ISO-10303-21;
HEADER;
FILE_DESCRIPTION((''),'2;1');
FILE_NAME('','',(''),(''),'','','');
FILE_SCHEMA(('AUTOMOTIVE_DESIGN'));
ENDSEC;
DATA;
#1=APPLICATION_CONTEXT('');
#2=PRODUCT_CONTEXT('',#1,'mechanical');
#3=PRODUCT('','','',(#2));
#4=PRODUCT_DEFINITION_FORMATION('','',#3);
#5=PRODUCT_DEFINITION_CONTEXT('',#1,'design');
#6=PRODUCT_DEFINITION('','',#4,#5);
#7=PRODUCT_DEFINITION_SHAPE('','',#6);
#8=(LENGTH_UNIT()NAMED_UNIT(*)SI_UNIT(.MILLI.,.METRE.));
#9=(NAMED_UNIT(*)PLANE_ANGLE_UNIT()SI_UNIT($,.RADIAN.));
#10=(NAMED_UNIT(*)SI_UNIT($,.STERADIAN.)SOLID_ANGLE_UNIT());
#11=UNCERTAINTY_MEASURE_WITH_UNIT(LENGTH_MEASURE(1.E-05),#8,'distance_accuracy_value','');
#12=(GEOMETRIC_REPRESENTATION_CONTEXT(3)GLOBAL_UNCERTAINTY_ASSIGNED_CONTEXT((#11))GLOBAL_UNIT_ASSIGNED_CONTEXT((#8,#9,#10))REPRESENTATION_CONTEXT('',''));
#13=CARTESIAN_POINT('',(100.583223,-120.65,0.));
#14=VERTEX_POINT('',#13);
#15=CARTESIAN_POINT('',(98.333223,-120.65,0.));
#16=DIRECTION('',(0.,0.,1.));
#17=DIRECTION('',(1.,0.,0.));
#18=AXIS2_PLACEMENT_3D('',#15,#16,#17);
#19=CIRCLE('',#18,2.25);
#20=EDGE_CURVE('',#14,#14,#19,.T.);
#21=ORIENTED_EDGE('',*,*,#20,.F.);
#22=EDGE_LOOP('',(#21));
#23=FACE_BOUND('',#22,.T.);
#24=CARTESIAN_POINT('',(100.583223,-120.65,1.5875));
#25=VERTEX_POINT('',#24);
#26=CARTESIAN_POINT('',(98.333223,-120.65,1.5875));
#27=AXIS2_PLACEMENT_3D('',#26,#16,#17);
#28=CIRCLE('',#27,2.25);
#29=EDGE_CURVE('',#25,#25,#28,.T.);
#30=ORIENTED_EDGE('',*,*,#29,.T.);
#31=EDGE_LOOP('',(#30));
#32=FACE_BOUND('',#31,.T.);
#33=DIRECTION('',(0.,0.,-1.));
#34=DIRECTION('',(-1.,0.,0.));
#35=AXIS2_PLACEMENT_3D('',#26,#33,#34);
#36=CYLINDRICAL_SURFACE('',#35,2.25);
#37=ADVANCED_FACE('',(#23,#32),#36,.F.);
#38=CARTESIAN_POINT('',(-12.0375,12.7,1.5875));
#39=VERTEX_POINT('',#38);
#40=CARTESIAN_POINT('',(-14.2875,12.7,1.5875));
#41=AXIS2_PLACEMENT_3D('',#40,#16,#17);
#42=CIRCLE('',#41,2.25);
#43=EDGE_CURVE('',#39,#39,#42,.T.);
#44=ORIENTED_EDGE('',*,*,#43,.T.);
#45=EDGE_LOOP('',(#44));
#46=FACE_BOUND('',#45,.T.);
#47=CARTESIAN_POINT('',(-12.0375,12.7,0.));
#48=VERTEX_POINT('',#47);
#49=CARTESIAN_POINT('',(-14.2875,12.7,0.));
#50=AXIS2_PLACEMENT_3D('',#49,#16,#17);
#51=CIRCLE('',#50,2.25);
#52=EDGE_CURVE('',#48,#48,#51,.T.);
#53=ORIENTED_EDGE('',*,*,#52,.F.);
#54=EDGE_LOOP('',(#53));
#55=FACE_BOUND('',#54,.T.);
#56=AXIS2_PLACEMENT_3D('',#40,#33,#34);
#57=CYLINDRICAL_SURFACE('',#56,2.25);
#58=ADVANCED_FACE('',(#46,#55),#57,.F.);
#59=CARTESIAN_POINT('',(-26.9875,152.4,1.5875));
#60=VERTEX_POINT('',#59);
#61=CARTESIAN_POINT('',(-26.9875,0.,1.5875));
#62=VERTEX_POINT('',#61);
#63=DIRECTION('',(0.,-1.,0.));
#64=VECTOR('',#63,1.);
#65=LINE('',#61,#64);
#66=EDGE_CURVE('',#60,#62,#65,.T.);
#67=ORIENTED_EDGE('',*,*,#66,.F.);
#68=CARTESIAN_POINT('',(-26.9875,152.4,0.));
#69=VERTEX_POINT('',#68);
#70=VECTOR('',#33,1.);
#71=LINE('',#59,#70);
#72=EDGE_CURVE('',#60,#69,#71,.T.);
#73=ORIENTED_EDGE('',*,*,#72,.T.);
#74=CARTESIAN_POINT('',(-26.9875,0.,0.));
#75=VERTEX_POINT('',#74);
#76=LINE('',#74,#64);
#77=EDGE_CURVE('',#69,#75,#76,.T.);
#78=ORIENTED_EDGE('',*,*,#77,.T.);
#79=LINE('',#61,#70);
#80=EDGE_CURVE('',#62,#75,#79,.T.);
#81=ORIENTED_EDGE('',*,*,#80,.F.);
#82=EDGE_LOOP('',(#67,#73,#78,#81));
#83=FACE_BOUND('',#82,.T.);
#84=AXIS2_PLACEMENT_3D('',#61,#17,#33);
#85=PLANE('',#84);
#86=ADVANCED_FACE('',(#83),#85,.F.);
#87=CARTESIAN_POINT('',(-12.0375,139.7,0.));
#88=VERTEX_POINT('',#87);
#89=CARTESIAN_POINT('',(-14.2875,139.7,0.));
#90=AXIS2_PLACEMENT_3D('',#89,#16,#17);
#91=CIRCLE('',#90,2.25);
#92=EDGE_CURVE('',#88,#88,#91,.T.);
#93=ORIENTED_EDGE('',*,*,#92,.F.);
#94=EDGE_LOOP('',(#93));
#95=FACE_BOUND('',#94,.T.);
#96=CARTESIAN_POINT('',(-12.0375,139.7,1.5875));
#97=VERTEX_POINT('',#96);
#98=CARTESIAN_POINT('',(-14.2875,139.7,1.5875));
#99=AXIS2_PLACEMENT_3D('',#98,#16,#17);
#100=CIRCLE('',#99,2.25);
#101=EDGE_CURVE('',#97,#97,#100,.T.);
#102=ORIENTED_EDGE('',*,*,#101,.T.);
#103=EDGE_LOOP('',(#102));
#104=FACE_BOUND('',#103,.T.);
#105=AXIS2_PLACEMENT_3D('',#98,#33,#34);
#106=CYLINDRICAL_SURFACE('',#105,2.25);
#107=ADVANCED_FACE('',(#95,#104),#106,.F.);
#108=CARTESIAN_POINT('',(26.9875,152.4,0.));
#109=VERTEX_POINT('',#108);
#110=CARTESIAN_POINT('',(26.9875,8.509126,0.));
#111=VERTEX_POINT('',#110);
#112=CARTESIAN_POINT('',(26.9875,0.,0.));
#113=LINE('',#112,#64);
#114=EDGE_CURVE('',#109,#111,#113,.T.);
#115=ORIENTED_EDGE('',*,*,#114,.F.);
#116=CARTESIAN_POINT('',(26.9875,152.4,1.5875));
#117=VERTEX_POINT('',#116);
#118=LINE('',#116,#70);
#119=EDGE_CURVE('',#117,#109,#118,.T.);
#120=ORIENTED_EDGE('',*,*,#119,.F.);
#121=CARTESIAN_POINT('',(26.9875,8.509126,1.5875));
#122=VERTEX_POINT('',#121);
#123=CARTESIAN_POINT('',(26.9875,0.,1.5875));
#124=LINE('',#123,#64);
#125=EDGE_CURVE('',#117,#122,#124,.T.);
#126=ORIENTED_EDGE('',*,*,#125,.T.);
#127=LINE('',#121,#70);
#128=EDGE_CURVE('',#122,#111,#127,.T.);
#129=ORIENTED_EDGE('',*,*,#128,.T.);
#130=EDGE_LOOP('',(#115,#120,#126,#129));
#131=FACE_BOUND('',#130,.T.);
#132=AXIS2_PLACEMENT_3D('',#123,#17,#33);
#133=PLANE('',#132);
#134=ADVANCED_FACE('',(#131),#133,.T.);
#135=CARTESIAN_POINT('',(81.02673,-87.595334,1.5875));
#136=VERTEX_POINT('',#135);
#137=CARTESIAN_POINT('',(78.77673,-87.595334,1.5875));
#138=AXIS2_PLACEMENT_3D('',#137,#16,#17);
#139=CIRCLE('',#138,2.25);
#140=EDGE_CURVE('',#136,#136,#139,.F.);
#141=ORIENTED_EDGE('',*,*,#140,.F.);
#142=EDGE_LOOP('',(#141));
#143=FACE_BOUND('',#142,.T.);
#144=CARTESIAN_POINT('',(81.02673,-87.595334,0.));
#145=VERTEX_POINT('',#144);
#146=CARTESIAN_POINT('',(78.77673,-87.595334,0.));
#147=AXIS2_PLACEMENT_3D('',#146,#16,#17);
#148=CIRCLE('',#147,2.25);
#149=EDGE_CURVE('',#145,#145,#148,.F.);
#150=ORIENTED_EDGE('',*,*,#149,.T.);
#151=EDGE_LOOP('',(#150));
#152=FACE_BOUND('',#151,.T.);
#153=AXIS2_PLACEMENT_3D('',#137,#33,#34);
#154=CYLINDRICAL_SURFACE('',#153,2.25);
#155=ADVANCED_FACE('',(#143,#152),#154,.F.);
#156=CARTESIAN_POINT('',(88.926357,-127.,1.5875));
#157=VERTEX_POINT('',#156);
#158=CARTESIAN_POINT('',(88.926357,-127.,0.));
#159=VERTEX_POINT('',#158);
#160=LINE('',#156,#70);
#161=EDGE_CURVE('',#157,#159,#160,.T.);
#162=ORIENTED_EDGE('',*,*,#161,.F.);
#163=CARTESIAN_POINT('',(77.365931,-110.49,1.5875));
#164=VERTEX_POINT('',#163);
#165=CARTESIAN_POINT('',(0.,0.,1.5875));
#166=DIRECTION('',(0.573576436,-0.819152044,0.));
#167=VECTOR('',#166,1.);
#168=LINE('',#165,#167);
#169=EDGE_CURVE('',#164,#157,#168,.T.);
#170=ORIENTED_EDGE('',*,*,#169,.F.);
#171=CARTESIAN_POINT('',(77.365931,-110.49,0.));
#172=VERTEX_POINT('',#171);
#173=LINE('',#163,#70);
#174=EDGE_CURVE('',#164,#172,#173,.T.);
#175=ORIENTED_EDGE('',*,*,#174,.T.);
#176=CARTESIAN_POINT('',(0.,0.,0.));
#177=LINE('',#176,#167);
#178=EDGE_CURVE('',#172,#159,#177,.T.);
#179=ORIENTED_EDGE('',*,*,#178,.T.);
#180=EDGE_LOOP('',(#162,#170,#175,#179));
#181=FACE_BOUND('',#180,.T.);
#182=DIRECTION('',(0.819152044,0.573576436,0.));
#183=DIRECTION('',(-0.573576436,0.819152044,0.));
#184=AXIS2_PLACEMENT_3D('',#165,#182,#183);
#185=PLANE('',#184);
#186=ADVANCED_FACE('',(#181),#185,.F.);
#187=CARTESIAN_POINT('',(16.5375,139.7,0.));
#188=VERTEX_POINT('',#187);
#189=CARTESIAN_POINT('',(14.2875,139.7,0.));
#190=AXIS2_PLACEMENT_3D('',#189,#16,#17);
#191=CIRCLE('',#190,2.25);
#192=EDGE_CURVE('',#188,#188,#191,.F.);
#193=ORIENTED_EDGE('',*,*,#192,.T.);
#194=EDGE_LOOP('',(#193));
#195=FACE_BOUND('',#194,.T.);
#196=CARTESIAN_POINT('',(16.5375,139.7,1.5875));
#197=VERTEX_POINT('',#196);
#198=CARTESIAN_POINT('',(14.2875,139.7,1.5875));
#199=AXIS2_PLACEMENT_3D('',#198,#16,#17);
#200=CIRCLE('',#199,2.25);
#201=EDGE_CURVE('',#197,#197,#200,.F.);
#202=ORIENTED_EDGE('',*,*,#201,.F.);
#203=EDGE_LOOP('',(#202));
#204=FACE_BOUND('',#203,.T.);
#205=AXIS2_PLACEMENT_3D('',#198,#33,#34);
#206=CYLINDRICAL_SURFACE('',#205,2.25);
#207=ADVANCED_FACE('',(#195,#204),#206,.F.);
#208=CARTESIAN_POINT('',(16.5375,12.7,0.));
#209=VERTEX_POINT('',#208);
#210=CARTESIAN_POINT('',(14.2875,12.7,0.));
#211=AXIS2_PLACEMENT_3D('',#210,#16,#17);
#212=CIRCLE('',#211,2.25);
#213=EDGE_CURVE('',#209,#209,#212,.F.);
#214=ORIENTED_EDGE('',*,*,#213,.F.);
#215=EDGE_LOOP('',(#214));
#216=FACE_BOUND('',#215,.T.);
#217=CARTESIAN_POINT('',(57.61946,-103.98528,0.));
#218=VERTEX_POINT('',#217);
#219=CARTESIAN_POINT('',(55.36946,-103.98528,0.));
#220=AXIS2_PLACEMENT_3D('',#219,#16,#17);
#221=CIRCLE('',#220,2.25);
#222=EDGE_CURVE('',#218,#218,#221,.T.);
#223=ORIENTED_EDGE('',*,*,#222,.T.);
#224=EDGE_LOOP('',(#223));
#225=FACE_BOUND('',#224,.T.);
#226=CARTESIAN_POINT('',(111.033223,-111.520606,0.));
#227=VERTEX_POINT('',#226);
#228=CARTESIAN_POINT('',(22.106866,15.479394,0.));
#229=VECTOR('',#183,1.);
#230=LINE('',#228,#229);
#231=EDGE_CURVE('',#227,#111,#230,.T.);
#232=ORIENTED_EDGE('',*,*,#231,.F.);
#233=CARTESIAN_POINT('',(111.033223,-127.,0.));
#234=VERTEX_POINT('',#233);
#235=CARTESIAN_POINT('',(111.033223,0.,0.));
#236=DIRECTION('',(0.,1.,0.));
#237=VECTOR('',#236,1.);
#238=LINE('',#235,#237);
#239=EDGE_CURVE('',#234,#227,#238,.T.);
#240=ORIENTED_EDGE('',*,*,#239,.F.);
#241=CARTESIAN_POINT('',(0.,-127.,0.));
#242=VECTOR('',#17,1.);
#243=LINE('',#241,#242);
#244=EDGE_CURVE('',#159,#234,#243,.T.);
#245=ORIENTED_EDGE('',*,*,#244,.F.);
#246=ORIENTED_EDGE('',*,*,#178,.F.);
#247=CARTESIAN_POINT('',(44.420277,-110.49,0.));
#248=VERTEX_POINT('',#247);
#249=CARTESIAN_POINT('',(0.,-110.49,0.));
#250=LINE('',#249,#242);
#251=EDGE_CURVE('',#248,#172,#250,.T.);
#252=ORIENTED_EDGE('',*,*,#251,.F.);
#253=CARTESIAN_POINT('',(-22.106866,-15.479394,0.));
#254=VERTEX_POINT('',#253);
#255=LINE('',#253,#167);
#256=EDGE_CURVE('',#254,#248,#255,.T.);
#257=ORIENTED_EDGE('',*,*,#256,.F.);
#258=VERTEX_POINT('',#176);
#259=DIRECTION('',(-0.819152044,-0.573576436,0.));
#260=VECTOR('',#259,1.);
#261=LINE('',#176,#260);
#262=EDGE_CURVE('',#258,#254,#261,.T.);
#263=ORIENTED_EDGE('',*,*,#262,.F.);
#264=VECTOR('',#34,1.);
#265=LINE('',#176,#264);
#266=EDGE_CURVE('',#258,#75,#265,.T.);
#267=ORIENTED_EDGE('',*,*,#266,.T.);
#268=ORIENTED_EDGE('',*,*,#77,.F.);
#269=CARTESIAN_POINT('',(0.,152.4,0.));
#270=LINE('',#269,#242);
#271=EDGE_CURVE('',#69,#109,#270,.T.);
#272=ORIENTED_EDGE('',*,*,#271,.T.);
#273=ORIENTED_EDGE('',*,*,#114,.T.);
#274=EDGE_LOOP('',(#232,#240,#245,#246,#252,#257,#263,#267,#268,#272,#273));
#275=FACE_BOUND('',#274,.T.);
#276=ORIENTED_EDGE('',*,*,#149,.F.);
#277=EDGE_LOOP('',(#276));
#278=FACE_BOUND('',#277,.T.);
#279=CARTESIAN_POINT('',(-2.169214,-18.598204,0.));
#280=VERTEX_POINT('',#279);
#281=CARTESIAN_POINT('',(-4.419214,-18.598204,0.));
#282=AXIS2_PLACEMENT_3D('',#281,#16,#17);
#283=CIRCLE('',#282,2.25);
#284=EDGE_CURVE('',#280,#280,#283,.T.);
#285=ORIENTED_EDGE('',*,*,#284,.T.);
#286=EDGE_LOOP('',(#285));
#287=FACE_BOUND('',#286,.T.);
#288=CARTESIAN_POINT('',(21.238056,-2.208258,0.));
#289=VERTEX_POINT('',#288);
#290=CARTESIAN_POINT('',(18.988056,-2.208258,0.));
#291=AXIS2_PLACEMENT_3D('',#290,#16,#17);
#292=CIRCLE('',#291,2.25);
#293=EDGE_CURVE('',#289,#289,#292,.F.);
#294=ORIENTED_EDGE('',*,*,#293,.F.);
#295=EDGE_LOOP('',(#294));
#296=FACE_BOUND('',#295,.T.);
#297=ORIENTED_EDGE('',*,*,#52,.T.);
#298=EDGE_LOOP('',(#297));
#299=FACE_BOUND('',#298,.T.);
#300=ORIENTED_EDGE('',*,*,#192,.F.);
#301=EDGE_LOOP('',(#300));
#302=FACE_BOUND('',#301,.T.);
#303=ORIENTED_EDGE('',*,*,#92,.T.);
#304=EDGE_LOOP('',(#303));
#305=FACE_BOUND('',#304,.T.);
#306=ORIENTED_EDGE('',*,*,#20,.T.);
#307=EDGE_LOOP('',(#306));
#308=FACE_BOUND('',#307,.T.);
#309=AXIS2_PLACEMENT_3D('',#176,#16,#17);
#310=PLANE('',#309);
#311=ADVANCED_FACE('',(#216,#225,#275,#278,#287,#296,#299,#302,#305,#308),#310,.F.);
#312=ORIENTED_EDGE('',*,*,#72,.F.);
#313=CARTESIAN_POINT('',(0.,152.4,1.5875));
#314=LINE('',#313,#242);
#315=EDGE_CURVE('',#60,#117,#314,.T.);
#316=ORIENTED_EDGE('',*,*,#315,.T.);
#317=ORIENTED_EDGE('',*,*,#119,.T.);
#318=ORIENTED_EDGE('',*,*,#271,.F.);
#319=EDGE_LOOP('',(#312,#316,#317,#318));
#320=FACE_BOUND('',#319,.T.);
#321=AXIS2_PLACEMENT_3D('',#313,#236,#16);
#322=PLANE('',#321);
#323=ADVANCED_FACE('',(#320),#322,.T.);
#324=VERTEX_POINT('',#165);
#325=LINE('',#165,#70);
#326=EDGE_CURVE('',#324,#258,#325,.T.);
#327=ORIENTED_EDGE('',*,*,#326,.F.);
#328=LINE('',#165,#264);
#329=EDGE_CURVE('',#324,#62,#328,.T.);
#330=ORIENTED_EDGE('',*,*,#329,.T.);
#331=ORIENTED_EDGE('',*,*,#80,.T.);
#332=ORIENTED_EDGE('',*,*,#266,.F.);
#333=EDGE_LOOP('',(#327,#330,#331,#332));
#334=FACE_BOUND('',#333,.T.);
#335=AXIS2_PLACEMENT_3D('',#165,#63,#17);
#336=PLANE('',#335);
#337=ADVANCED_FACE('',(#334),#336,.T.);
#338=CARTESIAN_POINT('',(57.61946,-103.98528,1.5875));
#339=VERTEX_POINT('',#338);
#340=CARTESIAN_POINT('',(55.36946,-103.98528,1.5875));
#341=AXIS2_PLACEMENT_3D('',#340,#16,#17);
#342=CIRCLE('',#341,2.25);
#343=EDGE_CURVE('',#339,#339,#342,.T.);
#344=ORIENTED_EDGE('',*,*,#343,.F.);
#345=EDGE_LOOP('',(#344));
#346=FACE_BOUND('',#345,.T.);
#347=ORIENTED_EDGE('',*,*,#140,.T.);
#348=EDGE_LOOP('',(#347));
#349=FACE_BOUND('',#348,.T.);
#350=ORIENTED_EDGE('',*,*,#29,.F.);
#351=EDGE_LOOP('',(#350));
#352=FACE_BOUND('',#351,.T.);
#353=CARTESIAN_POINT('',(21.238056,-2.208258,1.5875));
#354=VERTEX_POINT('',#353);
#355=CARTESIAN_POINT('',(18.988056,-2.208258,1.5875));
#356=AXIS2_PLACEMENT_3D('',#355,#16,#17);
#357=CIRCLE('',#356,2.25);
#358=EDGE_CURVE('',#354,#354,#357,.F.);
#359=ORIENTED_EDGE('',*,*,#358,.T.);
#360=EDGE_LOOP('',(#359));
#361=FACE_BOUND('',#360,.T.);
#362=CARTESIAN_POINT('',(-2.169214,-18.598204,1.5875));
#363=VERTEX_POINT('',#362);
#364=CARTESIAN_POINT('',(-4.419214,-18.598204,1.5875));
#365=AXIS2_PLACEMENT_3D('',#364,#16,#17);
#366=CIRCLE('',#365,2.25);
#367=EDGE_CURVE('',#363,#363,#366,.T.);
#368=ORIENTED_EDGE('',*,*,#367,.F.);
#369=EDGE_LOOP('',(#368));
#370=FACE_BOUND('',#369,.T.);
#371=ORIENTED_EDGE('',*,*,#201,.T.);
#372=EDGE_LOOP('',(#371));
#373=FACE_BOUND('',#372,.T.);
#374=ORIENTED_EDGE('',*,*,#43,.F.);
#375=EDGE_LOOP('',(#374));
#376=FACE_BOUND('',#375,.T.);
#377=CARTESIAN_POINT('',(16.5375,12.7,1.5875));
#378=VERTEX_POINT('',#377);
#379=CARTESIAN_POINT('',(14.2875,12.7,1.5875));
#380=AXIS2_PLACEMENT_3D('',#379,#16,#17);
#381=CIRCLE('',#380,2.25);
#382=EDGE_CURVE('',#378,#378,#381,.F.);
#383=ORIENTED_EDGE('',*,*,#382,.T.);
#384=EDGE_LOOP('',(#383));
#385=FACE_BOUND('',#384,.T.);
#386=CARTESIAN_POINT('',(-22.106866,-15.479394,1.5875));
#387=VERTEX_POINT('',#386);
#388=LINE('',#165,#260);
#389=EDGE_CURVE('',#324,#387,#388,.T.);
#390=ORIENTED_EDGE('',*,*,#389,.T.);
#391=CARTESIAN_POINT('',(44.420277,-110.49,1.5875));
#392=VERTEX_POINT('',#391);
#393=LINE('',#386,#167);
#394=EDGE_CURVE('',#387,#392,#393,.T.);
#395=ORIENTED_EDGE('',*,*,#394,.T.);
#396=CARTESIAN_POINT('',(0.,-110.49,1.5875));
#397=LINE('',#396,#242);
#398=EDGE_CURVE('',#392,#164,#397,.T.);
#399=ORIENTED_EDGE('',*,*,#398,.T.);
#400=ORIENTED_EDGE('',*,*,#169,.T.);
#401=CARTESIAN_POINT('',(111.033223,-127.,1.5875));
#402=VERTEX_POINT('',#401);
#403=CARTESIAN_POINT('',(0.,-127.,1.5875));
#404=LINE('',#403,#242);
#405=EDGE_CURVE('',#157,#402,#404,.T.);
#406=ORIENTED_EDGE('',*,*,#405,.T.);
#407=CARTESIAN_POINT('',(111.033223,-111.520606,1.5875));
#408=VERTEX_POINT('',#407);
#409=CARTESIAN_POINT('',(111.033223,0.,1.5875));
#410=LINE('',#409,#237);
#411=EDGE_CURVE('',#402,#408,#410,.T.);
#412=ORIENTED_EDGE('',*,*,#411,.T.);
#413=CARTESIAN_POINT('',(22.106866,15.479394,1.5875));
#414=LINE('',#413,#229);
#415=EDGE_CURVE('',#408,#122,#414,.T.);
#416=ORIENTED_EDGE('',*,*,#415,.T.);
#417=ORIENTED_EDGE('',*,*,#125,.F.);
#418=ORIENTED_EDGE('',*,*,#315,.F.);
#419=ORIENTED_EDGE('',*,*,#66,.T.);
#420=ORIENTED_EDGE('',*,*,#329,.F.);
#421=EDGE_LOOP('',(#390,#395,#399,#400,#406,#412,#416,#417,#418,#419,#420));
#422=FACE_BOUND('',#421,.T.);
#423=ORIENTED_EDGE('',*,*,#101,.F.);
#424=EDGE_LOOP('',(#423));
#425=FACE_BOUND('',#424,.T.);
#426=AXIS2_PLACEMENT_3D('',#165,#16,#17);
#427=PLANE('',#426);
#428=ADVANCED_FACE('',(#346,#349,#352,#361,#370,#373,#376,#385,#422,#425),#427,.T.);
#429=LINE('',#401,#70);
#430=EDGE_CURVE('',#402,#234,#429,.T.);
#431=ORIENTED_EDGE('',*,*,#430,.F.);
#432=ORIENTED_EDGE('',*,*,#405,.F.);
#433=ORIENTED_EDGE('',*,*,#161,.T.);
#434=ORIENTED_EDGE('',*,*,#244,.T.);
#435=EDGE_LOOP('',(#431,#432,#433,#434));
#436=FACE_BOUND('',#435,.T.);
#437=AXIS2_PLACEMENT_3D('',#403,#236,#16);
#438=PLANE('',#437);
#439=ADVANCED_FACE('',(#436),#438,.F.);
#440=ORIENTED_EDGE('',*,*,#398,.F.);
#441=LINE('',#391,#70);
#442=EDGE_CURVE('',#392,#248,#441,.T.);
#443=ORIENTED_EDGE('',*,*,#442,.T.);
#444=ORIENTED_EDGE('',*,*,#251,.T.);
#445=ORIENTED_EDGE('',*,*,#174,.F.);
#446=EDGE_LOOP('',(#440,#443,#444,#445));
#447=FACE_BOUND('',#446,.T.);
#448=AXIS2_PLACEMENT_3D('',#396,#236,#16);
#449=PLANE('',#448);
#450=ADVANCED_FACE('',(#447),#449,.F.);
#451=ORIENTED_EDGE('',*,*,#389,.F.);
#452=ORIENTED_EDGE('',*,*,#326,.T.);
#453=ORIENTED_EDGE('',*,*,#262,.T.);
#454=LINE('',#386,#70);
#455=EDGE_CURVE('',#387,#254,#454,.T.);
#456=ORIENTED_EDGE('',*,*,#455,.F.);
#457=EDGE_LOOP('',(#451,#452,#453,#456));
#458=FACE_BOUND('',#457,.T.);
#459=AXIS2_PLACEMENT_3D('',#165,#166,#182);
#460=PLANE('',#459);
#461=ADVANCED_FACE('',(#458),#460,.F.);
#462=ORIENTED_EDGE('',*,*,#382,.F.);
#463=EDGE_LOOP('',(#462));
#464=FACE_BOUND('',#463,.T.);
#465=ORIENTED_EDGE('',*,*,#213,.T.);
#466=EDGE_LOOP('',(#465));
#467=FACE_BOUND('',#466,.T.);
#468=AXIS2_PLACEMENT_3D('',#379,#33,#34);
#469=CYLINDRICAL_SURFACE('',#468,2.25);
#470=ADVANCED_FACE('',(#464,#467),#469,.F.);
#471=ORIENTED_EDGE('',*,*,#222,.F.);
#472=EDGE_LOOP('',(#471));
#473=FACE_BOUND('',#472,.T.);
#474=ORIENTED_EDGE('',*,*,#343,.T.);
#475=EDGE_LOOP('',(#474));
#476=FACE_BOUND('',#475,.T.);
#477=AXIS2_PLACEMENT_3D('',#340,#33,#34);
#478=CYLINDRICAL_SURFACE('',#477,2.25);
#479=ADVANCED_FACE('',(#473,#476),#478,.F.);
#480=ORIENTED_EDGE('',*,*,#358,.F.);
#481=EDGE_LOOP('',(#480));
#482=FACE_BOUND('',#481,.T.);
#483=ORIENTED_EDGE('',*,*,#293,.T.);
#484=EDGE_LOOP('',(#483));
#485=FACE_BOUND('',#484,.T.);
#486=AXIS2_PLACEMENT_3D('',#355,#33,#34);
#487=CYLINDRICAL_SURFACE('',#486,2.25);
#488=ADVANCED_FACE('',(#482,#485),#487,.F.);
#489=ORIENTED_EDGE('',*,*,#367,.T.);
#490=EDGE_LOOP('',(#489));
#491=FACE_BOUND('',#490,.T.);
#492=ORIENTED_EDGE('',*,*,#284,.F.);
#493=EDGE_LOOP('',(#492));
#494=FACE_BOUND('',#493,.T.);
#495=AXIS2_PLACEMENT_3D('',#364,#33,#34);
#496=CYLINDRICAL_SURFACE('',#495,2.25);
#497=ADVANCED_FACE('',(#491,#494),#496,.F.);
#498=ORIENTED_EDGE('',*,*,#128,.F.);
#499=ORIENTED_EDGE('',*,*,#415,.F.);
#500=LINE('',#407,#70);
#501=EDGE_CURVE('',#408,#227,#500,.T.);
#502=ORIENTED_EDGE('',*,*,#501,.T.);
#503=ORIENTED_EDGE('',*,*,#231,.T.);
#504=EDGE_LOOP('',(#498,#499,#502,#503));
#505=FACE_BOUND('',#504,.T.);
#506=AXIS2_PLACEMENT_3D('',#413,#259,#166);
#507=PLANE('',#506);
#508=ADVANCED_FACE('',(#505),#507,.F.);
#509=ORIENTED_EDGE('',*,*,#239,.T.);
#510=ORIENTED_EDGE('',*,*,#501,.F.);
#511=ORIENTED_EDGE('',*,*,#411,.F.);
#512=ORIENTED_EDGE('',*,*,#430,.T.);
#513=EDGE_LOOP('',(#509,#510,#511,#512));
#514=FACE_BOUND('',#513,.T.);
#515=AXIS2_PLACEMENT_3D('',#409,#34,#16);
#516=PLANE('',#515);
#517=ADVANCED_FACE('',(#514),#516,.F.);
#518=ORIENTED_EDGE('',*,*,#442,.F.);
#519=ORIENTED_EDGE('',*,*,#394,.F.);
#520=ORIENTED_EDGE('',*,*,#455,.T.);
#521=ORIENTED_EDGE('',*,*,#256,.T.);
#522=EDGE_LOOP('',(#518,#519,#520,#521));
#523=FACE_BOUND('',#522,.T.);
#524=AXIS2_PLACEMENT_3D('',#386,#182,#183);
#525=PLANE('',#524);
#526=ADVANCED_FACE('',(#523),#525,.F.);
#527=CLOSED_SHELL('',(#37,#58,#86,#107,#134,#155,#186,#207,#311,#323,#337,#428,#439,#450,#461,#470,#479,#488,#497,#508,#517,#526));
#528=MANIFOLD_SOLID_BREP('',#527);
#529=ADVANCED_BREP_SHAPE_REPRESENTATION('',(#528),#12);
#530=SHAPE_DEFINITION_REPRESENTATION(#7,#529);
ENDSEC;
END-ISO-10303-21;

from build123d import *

# Parameters (mm, degrees)
SKETCH1_R           = 2.25
BOSS_EXTRUDE1_DEPTH = 1.5875


with BuildPart() as part:
    # Sketch1 → Boss-Extrude1 (new body)
    with BuildSketch(Plane.XY):
        Polygon((-26.9875, 0), (0, 0), (-22.106865795, -15.479394076), (44.420276683, -110.49), (77.365930897, -110.49), (88.926357353, -127), (111.033223148, -127), (111.033223148, -111.520605924), (26.9875, 8.509126065), (26.9875, 152.4), (-26.9875, 152.4), align=None)
        with Locations((98.333223148, -120.65)):
            Circle(SKETCH1_R, mode=Mode.SUBTRACT)
        with Locations((-14.2875, 12.7)):
            Circle(SKETCH1_R, mode=Mode.SUBTRACT)
        with Locations((-14.2875, 139.7)):
            Circle(SKETCH1_R, mode=Mode.SUBTRACT)
        with Locations((14.2875, 139.7)):
            Circle(SKETCH1_R, mode=Mode.SUBTRACT)
        with Locations((14.2875, 12.7)):
            Circle(SKETCH1_R, mode=Mode.SUBTRACT)
        with Locations((78.77672996, -87.595333778)):
            Circle(SKETCH1_R, mode=Mode.SUBTRACT)
        with Locations((18.988055574, -2.208257628)):
            Circle(SKETCH1_R, mode=Mode.SUBTRACT)
        with Locations((55.369460295, -103.985280447)):
            Circle(SKETCH1_R, mode=Mode.SUBTRACT)
        with Locations((-4.419214091, -18.598204297)):
            Circle(SKETCH1_R, mode=Mode.SUBTRACT)
    extrude(amount=BOSS_EXTRUDE1_DEPTH)


solid = part.part
